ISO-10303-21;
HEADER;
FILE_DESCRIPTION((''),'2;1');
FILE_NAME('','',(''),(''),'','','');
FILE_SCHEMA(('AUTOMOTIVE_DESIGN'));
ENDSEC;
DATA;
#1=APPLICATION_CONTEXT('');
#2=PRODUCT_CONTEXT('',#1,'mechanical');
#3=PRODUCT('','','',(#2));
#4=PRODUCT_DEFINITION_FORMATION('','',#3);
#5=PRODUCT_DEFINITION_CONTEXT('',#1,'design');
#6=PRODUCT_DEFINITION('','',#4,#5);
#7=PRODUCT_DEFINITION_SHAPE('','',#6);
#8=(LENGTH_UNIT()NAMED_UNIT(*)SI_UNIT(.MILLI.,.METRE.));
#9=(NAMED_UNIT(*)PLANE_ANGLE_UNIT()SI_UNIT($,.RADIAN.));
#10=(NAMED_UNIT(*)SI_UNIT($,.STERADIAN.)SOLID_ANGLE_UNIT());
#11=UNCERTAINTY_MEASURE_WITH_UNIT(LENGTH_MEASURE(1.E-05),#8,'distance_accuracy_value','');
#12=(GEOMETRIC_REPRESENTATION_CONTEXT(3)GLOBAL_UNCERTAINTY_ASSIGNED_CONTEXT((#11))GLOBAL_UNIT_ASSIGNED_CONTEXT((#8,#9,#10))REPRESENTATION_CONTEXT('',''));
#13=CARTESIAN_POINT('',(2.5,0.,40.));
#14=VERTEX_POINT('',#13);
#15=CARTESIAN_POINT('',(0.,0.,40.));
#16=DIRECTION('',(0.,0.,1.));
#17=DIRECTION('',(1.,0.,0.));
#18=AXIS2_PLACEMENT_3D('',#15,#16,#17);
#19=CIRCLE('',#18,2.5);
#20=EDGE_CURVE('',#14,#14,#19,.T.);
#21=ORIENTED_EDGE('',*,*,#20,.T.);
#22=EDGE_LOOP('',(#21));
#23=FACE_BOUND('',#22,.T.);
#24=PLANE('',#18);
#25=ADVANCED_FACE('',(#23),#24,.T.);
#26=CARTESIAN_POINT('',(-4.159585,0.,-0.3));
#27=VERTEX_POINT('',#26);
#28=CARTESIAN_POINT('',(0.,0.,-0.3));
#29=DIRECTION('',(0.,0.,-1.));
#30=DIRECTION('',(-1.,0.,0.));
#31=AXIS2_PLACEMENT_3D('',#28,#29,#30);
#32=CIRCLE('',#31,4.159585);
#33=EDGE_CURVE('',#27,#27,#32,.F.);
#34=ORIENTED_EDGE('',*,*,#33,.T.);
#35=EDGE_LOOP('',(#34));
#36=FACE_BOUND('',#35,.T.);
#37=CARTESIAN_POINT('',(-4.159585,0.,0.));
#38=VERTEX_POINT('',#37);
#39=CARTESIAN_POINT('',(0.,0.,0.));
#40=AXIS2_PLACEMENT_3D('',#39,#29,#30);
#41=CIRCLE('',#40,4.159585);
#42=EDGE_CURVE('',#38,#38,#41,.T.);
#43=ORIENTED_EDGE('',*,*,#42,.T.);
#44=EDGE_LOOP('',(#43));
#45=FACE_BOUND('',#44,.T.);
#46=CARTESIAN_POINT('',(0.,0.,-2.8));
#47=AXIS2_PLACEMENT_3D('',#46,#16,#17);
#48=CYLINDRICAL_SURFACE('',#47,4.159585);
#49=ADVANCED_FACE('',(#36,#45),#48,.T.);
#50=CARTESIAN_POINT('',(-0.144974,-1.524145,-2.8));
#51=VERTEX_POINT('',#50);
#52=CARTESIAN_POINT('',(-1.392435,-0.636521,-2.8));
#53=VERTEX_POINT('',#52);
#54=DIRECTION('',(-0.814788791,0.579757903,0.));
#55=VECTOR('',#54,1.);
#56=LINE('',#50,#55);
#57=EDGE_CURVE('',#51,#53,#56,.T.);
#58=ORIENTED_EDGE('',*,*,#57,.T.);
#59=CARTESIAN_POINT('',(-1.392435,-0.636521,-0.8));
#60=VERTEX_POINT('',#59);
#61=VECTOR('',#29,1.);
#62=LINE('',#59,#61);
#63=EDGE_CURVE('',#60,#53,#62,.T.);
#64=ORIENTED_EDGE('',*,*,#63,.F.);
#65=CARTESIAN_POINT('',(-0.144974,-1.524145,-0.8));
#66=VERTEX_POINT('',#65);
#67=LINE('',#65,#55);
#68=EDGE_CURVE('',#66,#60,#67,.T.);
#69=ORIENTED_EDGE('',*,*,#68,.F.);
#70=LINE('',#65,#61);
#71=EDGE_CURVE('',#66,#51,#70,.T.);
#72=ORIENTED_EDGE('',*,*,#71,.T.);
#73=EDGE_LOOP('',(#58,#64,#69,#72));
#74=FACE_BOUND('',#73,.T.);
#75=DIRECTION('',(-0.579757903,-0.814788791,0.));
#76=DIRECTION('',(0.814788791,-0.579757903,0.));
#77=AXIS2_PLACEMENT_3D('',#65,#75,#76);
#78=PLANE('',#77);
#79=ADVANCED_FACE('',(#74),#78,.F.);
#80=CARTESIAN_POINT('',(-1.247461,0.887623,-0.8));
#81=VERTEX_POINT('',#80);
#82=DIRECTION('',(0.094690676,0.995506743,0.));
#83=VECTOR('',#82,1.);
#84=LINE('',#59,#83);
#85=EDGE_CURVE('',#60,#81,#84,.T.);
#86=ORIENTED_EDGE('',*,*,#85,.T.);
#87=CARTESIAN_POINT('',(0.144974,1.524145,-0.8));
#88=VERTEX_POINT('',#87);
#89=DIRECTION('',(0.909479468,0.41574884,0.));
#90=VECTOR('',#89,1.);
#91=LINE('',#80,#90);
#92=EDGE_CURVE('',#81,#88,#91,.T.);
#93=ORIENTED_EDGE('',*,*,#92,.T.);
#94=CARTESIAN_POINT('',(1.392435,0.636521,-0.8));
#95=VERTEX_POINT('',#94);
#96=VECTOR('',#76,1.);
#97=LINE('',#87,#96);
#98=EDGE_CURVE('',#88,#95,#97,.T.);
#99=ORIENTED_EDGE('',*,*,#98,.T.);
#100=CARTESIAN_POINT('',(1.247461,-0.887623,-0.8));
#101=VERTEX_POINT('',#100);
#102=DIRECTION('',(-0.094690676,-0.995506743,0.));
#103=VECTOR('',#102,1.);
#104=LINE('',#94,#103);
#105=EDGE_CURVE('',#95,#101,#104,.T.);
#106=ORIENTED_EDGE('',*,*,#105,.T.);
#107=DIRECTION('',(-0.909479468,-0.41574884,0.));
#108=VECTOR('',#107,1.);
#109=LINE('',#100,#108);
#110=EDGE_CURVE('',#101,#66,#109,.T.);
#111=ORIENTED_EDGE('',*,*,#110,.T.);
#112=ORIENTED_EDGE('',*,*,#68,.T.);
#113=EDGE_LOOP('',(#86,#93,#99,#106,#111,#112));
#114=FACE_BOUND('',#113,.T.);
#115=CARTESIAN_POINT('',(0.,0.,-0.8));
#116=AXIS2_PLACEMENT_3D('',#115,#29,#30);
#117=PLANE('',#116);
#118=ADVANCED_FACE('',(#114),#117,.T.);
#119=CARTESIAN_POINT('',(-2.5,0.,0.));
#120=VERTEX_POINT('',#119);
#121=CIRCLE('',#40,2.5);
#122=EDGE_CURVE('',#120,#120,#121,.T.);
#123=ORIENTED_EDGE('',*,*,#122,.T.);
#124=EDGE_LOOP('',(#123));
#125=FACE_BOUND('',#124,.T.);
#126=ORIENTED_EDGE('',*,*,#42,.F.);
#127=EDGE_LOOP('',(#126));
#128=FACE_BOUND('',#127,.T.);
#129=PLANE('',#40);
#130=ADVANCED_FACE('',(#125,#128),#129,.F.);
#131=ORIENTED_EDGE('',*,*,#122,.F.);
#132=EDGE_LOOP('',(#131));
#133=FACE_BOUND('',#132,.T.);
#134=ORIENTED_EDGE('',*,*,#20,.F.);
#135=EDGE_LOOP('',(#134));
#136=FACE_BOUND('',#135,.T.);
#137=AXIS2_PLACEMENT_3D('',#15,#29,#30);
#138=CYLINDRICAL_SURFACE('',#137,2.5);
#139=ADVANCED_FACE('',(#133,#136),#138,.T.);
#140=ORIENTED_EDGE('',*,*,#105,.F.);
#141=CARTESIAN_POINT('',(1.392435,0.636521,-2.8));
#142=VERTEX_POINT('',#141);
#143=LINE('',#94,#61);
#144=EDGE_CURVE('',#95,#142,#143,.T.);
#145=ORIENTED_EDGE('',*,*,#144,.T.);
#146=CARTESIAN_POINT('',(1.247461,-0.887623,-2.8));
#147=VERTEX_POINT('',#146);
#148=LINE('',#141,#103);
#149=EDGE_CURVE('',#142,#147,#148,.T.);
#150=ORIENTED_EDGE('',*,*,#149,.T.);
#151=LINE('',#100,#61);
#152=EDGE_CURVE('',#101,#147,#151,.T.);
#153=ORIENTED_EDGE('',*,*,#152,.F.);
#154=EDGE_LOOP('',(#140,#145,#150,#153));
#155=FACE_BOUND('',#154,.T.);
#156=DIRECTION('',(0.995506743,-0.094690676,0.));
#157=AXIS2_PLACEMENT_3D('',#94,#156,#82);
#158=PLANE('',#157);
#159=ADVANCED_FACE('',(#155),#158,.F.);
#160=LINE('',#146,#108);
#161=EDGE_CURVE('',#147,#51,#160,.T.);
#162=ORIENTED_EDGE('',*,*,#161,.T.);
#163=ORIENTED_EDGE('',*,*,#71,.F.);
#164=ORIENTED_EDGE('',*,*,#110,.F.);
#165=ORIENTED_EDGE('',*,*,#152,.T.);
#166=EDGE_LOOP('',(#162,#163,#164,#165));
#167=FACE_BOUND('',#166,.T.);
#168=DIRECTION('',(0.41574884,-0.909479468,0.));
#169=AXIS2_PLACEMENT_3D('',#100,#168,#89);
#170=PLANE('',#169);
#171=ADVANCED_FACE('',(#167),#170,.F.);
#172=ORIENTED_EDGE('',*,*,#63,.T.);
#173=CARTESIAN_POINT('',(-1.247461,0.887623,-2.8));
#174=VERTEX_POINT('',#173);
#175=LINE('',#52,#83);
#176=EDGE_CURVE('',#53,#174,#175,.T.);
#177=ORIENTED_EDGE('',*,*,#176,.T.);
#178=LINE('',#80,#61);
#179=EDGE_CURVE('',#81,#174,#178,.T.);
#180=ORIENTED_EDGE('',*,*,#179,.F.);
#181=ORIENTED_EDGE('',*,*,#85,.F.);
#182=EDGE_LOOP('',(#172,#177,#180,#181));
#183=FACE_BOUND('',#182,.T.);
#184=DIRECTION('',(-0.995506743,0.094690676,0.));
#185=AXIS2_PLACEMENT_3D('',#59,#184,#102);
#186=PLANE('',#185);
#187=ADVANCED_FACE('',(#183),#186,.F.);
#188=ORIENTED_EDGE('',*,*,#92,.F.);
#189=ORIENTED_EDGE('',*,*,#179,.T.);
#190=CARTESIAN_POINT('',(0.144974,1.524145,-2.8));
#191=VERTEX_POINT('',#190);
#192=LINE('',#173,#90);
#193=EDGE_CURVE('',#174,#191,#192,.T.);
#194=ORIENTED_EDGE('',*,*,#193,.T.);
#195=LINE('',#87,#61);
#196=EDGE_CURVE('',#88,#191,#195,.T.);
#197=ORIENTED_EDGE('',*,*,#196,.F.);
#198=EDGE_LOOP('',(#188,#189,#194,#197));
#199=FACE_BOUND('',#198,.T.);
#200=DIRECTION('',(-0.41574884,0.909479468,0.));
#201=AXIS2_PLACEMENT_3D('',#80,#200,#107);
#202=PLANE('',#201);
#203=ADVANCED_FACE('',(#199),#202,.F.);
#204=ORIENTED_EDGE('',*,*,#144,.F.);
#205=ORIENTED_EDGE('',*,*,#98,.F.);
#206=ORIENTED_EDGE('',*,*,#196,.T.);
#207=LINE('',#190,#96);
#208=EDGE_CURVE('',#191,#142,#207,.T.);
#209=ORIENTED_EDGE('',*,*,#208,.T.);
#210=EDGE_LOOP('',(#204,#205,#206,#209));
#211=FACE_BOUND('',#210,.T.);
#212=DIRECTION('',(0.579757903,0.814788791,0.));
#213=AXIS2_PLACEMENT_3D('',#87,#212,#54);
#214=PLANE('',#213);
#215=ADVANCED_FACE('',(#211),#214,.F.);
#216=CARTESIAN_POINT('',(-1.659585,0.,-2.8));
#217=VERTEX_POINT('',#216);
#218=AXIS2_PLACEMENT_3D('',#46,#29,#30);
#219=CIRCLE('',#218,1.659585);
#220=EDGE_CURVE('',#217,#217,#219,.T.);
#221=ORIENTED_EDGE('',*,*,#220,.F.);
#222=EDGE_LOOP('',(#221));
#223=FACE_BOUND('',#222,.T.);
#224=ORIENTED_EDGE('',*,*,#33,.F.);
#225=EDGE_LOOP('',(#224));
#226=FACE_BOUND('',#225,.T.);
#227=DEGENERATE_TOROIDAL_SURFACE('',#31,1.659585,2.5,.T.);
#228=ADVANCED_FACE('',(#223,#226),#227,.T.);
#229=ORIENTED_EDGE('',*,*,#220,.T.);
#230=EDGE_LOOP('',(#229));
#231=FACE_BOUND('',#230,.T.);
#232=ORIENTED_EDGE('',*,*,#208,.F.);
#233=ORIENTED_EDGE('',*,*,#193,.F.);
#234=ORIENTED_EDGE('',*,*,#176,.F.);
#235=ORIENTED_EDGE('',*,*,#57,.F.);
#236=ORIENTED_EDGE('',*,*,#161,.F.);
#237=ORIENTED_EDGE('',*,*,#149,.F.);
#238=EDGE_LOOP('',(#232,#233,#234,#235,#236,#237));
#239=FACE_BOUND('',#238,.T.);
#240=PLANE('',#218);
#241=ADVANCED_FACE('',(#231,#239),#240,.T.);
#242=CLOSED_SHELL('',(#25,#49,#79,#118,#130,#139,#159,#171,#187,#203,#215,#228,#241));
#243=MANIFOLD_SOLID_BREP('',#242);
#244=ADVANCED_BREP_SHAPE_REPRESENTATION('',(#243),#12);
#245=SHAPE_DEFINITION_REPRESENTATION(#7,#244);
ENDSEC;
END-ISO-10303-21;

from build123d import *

# Parameters (mm, degrees)
SKETCH1_R           = 2.5
BOSS_EXTRUDE1_DEPTH = 40
SKETCH2_R           = 4.159584877
BOSS_EXTRUDE2_DEPTH = 2.8
FILLET1_R           = 2.5
CUT_EXTRUDE1_DEPTH  = 2


with BuildPart() as part:
    # Sketch1 → Boss-Extrude1 (new body)
    with BuildSketch(Plane.XY):
        Circle(SKETCH1_R)
    extrude(amount=BOSS_EXTRUDE1_DEPTH)

    # Sketch2 → Boss-Extrude2 (add)
    with BuildSketch(Plane(origin=(0, 0, 0), x_dir=(-1, 0, 0), z_dir=(0, 0, -1))):
        Circle(SKETCH2_R)
    extrude(amount=BOSS_EXTRUDE2_DEPTH)

    # Fillet1
    fillet1_edges = [part.edges().sort_by_distance(p)[0] for p in [
        (4.159584877, 0, -2.8),
    ]]
    fillet(fillet1_edges, radius=FILLET1_R)

    # Sketch3 → Cut-Extrude1 (cut)
    with BuildSketch(Plane(origin=(0, 0, -2.8), x_dir=(-1, 0, 0), z_dir=(0, 0, -1))):
        Polygon((1.392434699, -0.636521364), (1.247461021, 0.88762314), (-0.144973678, 1.524144504), (-1.392434699, 0.636521364), (-1.247461021, -0.88762314), (0.144973678, -1.524144504), align=None)
    extrude(amount=-CUT_EXTRUDE1_DEPTH, mode=Mode.SUBTRACT)


solid = part.part
